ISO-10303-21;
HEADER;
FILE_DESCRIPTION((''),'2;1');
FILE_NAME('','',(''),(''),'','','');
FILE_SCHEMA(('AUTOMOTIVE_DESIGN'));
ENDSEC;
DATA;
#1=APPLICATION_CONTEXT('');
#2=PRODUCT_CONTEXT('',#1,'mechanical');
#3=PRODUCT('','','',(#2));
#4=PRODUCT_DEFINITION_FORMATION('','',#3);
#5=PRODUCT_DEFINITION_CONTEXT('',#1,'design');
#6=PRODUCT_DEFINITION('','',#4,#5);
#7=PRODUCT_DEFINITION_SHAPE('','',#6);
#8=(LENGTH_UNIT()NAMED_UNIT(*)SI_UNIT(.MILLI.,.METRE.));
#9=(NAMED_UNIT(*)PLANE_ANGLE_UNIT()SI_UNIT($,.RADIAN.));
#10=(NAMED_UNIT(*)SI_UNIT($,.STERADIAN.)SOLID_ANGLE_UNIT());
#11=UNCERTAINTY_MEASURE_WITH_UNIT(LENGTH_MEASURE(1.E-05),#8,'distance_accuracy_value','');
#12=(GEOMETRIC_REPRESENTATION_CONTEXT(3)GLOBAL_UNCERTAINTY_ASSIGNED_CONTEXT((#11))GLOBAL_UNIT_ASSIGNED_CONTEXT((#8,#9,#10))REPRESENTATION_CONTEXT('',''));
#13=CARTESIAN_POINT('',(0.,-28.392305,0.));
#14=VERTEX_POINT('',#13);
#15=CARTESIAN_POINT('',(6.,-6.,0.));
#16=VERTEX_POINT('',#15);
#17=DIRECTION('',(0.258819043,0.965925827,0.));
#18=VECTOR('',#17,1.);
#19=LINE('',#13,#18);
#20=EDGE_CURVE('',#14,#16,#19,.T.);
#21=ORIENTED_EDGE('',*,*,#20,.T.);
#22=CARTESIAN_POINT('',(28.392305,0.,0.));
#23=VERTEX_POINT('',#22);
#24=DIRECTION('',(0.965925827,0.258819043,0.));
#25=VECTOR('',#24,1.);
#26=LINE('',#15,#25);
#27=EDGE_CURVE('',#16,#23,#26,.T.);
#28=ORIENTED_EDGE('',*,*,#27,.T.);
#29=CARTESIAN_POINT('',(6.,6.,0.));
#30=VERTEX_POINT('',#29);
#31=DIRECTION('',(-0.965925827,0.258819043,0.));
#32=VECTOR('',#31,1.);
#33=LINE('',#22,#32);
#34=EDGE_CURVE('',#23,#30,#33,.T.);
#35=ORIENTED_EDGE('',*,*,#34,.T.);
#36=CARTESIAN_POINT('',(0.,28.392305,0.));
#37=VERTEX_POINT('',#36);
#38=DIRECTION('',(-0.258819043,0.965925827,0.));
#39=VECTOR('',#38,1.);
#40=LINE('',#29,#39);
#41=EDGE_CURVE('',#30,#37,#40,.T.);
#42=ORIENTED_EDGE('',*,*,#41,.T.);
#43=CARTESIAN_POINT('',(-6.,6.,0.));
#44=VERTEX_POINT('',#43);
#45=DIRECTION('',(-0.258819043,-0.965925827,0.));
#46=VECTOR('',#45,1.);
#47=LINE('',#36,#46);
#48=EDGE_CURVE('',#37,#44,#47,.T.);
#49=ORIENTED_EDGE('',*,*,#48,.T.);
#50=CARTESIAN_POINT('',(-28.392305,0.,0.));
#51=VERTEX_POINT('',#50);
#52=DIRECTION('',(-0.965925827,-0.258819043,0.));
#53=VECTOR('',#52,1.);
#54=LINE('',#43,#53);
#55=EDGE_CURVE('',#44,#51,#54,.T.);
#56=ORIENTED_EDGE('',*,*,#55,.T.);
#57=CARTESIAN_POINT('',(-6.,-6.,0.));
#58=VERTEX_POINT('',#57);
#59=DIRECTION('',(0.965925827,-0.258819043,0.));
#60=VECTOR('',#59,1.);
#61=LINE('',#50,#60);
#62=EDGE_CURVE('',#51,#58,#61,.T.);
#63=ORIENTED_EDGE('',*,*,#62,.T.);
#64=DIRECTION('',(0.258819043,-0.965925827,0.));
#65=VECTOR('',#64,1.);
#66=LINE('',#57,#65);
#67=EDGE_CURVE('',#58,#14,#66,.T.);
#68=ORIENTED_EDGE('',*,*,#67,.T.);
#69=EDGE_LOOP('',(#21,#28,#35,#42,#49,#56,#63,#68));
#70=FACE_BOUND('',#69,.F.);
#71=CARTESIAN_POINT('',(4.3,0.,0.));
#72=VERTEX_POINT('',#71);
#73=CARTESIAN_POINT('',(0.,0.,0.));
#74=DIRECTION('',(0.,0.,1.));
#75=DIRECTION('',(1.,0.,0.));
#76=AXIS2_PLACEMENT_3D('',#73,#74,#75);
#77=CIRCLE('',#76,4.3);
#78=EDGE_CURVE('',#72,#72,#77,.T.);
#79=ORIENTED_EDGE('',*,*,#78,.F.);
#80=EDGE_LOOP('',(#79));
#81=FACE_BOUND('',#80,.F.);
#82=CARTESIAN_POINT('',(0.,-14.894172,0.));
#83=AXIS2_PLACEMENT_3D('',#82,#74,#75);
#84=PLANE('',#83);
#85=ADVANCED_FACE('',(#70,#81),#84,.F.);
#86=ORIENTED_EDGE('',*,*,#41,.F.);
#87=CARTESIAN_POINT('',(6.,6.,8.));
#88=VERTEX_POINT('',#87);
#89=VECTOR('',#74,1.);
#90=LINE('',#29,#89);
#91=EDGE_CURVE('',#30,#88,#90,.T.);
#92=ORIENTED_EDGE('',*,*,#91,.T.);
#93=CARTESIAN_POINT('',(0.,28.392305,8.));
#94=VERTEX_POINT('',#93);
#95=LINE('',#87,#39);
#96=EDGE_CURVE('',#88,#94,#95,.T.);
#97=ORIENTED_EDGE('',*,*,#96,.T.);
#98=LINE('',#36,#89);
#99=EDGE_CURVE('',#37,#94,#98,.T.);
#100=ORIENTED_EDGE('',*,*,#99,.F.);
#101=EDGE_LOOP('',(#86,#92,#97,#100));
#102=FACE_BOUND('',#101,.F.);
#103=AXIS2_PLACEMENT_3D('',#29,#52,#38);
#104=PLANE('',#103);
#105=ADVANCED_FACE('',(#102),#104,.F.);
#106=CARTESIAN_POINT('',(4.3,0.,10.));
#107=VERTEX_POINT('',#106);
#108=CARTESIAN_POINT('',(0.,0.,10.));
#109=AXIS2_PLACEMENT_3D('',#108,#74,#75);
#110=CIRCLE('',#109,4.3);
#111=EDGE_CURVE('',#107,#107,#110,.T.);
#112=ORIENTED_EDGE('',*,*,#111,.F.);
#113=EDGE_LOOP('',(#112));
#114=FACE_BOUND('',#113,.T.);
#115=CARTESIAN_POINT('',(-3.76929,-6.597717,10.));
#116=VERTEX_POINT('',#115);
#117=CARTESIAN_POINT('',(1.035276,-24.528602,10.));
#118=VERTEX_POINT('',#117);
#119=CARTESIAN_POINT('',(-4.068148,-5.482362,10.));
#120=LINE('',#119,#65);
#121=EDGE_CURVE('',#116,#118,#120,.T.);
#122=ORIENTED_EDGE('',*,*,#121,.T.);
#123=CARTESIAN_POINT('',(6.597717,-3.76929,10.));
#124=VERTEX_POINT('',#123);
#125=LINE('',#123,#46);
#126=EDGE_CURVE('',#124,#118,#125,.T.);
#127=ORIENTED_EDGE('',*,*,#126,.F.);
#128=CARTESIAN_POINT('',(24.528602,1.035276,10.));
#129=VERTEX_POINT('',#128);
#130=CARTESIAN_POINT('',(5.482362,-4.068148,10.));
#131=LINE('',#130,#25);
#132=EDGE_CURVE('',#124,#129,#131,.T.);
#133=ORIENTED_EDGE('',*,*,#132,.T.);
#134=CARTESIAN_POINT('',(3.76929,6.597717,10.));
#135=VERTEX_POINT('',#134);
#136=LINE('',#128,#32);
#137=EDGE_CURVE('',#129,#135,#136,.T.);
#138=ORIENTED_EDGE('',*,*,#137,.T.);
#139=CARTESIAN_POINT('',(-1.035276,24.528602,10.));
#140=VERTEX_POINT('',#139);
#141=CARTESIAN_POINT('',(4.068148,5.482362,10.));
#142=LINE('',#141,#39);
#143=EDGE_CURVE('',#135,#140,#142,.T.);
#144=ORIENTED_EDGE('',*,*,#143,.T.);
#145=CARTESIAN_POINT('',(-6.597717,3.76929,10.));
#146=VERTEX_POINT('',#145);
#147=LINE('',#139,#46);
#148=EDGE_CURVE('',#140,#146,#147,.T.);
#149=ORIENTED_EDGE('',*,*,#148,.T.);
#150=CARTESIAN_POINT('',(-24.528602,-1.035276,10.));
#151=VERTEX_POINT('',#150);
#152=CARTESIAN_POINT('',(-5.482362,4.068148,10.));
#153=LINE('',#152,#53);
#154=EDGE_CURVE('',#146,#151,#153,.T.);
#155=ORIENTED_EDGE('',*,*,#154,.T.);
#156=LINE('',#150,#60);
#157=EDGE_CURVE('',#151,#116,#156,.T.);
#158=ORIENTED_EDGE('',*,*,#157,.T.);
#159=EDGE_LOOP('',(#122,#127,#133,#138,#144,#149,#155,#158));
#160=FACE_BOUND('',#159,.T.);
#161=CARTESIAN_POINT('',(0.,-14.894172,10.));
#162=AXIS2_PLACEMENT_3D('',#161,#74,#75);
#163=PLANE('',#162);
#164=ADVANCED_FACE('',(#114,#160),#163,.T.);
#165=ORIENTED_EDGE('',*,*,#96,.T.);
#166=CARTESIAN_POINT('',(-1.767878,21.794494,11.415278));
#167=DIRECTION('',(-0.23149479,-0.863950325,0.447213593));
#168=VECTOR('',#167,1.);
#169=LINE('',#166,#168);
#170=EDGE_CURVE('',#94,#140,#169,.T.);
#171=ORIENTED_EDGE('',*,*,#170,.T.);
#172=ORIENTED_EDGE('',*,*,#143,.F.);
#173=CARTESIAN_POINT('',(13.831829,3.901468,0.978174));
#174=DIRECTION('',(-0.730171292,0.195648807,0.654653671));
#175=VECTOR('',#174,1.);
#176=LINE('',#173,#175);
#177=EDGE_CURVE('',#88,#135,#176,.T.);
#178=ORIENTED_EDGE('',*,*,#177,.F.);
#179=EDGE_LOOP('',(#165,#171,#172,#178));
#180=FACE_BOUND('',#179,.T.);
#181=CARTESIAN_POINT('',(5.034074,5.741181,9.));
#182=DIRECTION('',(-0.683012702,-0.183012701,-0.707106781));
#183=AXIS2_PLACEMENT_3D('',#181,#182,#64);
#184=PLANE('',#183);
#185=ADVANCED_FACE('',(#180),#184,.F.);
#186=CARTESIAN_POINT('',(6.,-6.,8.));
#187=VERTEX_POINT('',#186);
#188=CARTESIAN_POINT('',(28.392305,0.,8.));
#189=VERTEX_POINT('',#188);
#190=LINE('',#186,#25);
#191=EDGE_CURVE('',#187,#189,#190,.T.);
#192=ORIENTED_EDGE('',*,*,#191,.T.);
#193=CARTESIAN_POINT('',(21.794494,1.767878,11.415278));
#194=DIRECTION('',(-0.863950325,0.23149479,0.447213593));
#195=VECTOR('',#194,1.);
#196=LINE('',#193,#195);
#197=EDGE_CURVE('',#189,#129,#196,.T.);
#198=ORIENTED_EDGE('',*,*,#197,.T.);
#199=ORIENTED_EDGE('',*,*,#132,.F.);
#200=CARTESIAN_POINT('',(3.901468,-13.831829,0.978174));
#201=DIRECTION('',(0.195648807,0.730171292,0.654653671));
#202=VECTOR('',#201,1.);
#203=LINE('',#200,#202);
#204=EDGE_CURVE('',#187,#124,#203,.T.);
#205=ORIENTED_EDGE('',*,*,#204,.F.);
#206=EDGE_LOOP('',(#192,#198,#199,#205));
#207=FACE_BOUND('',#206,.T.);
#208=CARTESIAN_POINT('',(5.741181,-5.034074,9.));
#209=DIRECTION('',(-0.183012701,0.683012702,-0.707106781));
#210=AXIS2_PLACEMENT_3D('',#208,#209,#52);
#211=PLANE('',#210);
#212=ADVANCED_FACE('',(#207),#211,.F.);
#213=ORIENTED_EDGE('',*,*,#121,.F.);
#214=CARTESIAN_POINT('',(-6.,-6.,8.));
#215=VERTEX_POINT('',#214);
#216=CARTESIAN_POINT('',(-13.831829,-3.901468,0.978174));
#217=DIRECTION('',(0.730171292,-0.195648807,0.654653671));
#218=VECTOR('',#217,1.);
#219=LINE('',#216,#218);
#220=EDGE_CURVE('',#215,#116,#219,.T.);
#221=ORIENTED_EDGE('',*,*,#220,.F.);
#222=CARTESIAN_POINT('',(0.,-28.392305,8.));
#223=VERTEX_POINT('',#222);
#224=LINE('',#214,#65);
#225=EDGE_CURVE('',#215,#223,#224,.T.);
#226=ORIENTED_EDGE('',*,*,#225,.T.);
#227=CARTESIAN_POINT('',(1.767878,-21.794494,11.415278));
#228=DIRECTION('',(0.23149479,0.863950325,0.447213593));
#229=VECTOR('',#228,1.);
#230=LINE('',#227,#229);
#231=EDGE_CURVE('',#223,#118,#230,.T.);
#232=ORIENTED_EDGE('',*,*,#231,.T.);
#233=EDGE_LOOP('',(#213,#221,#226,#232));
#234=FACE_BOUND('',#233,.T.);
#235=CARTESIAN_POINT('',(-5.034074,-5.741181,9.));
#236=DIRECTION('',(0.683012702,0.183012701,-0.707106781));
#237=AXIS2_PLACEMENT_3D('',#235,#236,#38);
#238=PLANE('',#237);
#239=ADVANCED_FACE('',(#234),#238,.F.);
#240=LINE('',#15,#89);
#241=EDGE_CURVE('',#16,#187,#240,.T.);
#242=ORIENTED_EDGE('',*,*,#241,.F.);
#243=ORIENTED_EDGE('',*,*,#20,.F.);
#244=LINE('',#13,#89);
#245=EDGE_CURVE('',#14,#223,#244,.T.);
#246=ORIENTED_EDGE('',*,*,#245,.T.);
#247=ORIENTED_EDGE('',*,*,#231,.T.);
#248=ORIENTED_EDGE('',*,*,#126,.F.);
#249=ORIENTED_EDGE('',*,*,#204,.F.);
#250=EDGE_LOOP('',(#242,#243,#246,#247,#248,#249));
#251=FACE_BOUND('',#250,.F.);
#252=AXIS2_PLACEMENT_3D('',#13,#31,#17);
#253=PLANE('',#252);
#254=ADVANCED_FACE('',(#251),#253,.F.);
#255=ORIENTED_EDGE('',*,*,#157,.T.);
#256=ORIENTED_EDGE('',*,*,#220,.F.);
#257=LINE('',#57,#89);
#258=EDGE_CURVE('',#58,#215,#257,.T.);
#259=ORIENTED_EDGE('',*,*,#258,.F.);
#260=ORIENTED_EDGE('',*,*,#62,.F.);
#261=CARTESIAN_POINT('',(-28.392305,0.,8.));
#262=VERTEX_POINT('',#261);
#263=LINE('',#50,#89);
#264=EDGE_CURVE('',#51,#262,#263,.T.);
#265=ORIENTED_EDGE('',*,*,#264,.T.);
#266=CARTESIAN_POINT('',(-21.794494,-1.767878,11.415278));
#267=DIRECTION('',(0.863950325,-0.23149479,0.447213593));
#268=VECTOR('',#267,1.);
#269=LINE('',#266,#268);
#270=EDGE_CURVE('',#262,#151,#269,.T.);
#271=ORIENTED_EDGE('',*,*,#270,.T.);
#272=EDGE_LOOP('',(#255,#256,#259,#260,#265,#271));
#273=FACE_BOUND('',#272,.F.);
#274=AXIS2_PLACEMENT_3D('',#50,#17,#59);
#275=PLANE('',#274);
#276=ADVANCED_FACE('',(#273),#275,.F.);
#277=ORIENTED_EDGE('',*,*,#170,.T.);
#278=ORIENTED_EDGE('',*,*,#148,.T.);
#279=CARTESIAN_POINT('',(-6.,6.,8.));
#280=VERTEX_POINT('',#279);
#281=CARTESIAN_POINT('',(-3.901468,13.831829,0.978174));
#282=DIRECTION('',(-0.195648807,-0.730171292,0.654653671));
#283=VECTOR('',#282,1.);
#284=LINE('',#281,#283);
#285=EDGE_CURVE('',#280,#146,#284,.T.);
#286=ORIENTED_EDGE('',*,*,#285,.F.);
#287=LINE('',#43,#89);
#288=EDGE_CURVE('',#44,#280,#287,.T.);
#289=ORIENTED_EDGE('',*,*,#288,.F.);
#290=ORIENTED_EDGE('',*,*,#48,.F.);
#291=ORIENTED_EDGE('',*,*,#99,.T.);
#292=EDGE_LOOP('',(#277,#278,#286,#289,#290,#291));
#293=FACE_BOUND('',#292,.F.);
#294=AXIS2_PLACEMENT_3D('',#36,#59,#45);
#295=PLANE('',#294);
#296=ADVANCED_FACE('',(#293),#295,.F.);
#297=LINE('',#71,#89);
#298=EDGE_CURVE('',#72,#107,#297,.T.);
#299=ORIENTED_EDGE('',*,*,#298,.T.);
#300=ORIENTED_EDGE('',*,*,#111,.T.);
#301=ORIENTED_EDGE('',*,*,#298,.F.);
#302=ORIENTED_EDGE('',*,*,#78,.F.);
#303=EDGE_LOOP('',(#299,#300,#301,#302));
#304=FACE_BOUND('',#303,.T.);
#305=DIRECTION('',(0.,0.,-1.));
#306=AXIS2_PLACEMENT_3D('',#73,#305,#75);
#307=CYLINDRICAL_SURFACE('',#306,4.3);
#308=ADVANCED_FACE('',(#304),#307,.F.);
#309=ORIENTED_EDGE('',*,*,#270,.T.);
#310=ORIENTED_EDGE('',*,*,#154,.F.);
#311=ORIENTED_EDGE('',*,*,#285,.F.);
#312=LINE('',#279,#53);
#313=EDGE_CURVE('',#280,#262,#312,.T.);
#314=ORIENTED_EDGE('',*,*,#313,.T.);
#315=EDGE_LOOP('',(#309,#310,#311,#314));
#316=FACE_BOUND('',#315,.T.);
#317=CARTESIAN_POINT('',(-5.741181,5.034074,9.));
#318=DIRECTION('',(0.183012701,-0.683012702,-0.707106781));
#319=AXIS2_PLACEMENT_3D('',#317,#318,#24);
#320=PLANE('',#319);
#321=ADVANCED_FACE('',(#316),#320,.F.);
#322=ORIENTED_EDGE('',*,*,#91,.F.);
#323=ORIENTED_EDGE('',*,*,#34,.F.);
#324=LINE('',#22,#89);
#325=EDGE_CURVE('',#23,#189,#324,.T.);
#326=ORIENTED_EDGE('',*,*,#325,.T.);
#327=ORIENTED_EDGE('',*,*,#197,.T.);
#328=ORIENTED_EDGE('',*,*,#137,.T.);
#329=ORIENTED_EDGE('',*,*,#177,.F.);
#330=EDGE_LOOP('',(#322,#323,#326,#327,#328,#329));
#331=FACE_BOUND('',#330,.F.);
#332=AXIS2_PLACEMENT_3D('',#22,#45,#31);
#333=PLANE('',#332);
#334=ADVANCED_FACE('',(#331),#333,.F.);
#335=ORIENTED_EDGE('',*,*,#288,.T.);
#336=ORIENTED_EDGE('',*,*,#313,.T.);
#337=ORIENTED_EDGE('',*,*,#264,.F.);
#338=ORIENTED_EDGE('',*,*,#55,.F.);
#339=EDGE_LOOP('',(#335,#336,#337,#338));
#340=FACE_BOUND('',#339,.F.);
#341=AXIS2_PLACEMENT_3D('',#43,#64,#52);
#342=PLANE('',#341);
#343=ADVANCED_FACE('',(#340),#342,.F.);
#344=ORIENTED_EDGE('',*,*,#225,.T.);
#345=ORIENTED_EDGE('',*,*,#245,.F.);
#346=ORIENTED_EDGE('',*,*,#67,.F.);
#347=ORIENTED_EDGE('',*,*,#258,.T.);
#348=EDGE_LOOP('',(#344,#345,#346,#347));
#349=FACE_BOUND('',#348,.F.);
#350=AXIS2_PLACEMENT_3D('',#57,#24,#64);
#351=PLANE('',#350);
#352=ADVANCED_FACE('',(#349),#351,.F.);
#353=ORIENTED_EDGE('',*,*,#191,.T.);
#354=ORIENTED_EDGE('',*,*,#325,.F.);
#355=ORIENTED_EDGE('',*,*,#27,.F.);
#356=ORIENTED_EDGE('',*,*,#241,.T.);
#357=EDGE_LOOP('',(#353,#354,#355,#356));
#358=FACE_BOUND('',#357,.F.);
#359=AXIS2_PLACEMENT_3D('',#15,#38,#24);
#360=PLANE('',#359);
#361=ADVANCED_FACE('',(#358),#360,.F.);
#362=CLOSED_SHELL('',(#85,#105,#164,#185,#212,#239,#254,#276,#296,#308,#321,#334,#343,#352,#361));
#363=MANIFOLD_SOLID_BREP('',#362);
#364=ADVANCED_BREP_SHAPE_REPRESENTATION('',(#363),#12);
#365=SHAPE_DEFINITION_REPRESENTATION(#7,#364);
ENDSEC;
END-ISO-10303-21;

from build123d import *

# Parameters (mm, degrees)
F0_W     = 12
F0_H     = 12
F0_R     = 4.3
F1_DEPTH = 10
F2_SIZE  = 2


with BuildPart() as f1:
    # F0 (on Top) → F1 (new body)
    with BuildSketch(Plane.XY):
        Polygon((0, -28.392305), (6, -6), (-6, -6), align=None)
        Polygon((6, 6), (6, -6), (28.392305, 0), align=None)
        Rectangle(F0_W, F0_H)
        Circle(F0_R, mode=Mode.SUBTRACT)
        Polygon((-6, 6), (6, 6), (0, 28.392305), align=None)
        Polygon((-28.392305, 0), (-6, -6), (-6, 6), align=None)
    extrude(amount=F1_DEPTH)

    # F2
    f2_edges = [f1.edges().sort_by_distance(p)[0] for p in [
        (-3, -17.196152, 10),
        (-17.196152, 3, 10),
        (3, 17.196152, 10),
        (17.196152, -3, 10),
    ]]
    chamfer(f2_edges, length=F2_SIZE)


solid = f1.part
